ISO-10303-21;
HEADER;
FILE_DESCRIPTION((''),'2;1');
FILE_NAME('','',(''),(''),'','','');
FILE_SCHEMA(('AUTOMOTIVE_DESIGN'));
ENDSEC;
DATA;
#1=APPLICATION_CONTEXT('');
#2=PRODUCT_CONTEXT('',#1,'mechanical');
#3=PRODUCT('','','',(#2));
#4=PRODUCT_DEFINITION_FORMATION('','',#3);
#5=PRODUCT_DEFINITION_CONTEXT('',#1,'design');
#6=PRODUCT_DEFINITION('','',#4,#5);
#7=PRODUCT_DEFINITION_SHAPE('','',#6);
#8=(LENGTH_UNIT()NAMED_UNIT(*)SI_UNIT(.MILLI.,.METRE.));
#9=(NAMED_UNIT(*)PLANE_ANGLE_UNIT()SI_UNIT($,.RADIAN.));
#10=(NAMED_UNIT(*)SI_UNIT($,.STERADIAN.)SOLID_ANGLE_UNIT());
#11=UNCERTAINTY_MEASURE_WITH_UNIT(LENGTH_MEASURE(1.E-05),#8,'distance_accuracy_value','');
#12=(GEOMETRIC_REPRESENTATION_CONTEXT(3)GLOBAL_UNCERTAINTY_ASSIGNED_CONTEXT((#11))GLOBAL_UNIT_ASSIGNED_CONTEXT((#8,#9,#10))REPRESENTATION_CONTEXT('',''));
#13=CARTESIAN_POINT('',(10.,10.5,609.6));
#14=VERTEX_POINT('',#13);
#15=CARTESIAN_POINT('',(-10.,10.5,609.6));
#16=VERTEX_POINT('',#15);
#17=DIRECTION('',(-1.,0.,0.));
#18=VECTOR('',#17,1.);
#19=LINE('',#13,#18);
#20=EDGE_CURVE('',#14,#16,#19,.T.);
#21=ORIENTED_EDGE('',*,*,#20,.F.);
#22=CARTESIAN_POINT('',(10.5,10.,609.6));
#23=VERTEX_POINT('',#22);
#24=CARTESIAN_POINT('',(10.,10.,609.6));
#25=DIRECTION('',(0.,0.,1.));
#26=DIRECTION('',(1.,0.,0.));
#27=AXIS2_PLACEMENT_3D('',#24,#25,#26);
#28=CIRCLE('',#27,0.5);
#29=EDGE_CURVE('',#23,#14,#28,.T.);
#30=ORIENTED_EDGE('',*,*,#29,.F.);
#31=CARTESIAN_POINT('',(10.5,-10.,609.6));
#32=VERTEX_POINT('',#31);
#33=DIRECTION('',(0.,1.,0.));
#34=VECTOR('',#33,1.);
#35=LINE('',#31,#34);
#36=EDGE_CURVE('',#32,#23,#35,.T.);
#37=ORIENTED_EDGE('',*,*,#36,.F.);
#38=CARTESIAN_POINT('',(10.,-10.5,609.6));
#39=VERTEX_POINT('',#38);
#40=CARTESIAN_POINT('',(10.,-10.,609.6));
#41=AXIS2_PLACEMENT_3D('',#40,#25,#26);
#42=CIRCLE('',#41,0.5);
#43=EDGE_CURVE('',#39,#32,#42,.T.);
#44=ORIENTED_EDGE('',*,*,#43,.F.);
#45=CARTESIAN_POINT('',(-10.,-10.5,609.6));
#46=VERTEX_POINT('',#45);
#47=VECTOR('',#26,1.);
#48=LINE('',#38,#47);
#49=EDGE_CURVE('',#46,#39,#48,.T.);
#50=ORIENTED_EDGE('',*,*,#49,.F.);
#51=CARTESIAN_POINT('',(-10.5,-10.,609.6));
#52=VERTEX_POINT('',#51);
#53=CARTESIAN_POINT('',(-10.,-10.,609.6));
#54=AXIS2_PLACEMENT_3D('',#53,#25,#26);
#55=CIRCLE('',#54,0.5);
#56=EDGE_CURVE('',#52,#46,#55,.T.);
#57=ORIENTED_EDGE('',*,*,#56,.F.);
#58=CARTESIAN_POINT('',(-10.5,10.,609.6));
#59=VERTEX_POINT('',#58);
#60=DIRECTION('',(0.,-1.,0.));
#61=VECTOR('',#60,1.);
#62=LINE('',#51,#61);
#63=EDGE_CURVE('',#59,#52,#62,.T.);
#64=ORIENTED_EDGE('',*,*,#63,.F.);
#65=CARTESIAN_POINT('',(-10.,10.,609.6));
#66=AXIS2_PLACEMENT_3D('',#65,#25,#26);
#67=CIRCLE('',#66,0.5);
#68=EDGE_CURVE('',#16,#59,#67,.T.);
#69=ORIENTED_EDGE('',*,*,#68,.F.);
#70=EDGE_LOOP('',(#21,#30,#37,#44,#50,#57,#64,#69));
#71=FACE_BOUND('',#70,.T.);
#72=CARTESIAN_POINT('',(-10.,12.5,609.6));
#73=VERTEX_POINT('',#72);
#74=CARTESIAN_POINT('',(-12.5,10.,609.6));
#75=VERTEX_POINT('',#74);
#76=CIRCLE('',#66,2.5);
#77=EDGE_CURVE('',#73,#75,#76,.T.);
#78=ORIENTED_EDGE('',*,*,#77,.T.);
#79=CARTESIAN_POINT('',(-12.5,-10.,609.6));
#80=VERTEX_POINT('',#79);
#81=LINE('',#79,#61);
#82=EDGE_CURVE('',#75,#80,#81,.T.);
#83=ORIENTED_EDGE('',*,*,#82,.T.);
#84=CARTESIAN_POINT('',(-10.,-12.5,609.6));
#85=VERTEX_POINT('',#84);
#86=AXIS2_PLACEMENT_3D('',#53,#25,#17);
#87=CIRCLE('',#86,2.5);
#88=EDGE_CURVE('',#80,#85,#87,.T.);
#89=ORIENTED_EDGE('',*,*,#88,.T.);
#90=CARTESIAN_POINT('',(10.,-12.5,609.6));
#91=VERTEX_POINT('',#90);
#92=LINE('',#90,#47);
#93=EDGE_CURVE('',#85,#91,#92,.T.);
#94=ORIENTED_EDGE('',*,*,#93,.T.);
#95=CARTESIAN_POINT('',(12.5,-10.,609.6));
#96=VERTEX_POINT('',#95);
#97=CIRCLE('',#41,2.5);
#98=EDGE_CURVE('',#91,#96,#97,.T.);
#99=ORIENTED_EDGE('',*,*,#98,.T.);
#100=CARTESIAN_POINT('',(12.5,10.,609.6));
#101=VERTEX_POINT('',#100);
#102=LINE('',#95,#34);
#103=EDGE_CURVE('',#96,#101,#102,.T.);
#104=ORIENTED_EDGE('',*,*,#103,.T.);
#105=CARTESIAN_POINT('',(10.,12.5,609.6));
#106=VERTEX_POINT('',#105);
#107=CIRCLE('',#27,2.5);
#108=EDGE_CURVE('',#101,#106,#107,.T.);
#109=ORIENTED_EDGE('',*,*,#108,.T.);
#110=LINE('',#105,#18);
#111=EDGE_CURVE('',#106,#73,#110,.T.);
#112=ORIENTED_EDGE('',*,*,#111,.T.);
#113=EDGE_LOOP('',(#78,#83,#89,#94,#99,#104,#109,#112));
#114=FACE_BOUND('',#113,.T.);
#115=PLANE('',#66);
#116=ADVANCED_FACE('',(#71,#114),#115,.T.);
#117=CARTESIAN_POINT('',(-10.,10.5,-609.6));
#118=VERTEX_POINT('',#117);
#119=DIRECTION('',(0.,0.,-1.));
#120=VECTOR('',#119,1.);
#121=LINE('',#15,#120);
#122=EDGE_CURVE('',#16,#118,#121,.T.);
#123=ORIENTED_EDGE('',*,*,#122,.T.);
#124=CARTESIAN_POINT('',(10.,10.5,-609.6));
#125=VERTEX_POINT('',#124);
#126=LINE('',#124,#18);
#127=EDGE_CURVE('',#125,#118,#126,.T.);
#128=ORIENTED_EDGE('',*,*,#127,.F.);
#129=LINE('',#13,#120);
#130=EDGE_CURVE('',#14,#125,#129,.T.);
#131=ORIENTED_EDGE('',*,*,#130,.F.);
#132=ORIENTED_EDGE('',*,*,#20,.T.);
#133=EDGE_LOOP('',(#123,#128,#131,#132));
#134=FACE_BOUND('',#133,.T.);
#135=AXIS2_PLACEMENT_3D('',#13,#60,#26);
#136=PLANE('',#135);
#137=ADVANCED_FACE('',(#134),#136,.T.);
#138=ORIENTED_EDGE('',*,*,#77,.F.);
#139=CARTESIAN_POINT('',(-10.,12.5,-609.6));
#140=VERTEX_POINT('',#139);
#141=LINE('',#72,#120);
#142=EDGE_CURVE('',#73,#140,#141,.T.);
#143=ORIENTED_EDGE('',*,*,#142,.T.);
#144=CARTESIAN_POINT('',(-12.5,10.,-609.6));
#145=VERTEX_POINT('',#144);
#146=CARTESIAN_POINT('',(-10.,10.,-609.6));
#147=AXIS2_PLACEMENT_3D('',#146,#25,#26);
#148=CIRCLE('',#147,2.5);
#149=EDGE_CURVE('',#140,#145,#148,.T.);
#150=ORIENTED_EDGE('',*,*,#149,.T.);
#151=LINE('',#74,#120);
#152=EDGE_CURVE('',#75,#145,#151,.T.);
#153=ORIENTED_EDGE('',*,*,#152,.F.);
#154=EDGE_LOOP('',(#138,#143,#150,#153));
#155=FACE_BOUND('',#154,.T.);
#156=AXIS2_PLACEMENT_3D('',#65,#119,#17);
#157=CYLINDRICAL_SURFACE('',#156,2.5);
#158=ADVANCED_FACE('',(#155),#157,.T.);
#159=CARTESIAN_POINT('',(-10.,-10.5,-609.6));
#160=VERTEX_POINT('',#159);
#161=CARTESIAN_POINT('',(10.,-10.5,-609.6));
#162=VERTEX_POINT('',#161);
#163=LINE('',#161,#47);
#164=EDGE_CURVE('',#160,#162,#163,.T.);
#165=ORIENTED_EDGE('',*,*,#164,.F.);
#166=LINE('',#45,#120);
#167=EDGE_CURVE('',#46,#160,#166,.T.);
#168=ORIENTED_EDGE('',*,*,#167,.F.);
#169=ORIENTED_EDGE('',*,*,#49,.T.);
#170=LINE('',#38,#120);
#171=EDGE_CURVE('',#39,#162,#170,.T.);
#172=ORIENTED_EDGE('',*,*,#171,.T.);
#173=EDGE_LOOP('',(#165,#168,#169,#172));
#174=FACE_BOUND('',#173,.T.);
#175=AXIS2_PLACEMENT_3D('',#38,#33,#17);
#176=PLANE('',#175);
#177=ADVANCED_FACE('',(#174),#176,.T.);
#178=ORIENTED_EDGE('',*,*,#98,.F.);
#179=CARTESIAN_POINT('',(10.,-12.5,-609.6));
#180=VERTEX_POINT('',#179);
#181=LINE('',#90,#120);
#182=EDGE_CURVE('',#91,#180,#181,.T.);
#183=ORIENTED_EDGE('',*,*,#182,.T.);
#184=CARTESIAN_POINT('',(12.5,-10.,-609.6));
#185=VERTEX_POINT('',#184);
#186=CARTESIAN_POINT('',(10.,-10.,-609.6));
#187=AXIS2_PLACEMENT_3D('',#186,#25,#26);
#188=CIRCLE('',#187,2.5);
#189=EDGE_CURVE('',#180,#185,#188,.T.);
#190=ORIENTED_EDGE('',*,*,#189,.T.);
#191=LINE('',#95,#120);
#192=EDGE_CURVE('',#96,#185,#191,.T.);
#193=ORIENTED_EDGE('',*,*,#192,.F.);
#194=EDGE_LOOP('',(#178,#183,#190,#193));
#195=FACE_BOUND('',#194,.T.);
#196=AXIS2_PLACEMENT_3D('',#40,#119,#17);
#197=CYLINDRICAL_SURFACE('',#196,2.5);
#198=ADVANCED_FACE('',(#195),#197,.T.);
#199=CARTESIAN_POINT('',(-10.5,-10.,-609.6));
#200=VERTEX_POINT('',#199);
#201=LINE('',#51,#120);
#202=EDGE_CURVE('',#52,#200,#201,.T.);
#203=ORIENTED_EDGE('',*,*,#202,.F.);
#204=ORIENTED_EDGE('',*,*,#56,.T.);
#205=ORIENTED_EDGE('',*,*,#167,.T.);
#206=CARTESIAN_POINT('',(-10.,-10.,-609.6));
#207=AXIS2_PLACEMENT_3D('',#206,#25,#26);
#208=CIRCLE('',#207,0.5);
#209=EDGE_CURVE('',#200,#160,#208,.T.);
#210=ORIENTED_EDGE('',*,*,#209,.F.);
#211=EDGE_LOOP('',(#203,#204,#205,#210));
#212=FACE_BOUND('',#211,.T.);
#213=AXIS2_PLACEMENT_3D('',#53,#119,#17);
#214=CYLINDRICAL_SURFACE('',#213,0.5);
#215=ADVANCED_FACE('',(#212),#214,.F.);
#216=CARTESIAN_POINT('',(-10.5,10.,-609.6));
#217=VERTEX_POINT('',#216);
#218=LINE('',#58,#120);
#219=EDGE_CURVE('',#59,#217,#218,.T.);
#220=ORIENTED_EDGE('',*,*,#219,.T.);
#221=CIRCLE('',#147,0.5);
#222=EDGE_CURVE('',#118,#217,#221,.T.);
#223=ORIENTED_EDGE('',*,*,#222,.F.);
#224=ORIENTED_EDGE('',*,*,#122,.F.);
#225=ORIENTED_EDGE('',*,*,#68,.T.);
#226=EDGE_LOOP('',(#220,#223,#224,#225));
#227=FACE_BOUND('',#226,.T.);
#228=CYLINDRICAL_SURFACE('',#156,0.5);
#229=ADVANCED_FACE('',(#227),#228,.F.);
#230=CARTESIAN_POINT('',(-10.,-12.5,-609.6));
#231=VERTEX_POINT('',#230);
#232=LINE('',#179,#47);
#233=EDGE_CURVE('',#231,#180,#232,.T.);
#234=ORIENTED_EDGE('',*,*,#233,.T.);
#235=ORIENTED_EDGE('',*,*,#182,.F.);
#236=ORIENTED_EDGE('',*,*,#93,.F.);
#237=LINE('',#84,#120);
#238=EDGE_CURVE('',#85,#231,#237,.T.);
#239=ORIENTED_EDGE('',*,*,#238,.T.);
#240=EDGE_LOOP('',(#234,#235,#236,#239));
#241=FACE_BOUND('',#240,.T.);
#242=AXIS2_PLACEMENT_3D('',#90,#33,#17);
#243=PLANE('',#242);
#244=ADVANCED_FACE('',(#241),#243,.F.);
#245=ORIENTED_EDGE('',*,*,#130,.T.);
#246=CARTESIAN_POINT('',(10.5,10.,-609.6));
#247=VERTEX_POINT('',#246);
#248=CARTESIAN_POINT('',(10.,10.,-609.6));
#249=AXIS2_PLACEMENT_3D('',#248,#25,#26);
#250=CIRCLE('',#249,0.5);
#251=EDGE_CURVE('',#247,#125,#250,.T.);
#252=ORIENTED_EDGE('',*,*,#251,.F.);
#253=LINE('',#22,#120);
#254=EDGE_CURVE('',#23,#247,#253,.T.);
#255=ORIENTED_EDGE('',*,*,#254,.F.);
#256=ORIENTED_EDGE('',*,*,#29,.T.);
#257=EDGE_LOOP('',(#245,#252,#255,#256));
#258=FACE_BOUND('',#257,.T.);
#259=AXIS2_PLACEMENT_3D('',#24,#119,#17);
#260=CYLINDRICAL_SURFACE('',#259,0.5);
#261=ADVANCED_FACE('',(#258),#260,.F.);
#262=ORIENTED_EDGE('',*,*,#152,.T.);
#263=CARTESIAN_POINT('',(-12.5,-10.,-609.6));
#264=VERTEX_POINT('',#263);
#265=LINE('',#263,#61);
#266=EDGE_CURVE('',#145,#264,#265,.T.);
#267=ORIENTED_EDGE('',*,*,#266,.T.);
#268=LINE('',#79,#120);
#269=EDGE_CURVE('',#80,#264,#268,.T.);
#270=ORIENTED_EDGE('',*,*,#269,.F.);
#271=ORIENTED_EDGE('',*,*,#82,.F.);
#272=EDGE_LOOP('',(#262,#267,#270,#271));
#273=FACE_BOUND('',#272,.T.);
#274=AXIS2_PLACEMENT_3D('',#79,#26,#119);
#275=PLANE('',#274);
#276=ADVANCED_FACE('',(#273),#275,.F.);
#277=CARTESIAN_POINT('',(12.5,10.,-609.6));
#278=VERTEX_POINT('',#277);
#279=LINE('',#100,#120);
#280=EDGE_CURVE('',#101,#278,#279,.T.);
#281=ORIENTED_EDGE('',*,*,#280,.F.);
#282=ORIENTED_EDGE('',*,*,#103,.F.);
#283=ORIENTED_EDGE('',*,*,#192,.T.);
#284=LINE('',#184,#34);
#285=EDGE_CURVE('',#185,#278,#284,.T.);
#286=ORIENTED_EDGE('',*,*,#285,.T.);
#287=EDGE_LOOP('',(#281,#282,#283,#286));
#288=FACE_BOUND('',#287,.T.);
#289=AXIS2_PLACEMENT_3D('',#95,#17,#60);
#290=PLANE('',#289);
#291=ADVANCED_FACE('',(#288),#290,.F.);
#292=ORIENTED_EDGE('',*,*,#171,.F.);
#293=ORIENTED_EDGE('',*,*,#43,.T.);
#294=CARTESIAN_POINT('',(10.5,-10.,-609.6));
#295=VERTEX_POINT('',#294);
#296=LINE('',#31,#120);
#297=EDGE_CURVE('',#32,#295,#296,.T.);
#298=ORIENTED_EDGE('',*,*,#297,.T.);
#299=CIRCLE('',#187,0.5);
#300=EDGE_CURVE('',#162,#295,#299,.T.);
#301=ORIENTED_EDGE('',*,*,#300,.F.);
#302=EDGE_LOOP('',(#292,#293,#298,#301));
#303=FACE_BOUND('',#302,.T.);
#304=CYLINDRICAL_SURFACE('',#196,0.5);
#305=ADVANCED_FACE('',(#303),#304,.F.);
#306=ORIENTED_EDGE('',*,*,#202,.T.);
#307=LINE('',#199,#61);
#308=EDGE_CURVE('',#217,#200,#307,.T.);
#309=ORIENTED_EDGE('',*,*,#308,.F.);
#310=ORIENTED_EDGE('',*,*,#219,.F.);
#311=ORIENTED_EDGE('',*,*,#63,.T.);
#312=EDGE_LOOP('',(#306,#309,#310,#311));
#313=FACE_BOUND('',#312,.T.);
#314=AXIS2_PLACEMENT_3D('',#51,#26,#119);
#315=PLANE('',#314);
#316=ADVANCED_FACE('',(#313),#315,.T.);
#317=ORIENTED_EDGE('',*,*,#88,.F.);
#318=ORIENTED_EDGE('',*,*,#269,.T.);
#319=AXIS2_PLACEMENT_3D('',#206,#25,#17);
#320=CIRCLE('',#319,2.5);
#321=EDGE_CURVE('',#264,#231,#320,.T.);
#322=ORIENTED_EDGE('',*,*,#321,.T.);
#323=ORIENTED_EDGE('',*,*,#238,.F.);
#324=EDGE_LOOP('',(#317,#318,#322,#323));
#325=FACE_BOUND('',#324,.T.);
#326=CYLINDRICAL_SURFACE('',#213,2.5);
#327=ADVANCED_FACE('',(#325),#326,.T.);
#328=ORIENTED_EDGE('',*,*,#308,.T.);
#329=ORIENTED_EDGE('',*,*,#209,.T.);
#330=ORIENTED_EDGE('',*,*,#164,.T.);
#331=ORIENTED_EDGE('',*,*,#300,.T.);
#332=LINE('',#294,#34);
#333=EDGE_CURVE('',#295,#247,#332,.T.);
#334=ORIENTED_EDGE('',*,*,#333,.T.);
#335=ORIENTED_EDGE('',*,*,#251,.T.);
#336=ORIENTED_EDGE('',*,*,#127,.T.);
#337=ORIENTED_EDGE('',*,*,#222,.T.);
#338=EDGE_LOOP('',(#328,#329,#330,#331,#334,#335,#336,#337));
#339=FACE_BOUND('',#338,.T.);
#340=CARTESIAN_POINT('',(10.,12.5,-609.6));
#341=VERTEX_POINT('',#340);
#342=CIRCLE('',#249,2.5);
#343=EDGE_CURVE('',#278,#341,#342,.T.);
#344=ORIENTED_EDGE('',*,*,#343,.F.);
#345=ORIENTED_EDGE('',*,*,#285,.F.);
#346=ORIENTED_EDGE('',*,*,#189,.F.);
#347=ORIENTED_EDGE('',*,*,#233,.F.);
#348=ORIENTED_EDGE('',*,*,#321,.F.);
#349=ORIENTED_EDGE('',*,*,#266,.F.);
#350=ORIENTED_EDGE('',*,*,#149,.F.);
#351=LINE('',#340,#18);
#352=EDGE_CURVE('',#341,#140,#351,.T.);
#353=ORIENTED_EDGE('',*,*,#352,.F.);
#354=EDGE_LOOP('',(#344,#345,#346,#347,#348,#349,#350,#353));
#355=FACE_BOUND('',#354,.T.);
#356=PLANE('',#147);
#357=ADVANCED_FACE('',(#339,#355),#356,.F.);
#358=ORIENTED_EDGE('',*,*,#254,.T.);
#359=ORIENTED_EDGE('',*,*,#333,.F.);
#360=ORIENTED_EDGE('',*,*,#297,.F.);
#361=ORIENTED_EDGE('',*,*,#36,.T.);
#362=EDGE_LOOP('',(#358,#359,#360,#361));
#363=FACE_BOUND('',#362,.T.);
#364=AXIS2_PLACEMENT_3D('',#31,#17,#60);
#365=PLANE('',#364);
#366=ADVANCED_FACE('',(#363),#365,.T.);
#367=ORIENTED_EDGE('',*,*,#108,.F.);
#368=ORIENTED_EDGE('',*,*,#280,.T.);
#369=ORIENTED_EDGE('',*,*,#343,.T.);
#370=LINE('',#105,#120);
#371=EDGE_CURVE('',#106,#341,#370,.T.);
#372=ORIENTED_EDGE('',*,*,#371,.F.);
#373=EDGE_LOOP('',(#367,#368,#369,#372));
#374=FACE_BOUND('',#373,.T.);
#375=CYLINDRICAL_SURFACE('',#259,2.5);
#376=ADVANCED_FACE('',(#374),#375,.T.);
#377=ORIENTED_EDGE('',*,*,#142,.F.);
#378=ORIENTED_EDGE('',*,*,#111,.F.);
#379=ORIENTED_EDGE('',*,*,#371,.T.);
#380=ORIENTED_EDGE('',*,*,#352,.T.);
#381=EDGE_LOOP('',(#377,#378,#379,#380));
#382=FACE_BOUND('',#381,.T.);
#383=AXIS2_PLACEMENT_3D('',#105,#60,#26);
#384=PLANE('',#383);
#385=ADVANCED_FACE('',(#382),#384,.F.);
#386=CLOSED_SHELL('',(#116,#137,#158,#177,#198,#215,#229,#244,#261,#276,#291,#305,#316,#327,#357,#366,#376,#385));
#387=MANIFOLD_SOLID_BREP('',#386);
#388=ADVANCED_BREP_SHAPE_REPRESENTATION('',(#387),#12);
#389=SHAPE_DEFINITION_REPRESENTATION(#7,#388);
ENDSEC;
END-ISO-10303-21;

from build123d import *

# Parameters (mm, degrees)
EXTRUDE_THIN1_DEPTH = 609.6


with BuildPart() as part:
    # Sketch1 → Extrude-Thin1 (new, symmetric)
    with BuildSketch(Plane.XY):
        with BuildLine():
            Line((-12.5, -10), (-12.5, 10))
            ThreePointArc((-12.5, 10), (-11.767766953, 11.767766953), (-10, 12.5))
            Line((-10, 12.5), (10, 12.5))
            ThreePointArc((10, 12.5), (11.767766953, 11.767766953), (12.5, 10))
            Line((12.5, 10), (12.5, -10))
            ThreePointArc((12.5, -10), (11.767766953, -11.767766953), (10, -12.5))
            Line((10, -12.5), (-10, -12.5))
            ThreePointArc((-10, -12.5), (-11.767766953, -11.767766953), (-12.5, -10))
        make_face()
        with BuildLine():
            Line((-10.5, -10), (-10.5, 10))
            ThreePointArc((-10.5, 10), (-10.353553391, 10.353553391), (-10, 10.5))
            Line((-10, 10.5), (10, 10.5))
            ThreePointArc((10, 10.5), (10.353553391, 10.353553391), (10.5, 10))
            Line((10.5, 10), (10.5, -10))
            ThreePointArc((10.5, -10), (10.353553391, -10.353553391), (10, -10.5))
            Line((10, -10.5), (-10, -10.5))
            ThreePointArc((-10, -10.5), (-10.353553391, -10.353553391), (-10.5, -10))
        make_face(mode=Mode.SUBTRACT)
    extrude(amount=EXTRUDE_THIN1_DEPTH, both=True)


solid = part.part
